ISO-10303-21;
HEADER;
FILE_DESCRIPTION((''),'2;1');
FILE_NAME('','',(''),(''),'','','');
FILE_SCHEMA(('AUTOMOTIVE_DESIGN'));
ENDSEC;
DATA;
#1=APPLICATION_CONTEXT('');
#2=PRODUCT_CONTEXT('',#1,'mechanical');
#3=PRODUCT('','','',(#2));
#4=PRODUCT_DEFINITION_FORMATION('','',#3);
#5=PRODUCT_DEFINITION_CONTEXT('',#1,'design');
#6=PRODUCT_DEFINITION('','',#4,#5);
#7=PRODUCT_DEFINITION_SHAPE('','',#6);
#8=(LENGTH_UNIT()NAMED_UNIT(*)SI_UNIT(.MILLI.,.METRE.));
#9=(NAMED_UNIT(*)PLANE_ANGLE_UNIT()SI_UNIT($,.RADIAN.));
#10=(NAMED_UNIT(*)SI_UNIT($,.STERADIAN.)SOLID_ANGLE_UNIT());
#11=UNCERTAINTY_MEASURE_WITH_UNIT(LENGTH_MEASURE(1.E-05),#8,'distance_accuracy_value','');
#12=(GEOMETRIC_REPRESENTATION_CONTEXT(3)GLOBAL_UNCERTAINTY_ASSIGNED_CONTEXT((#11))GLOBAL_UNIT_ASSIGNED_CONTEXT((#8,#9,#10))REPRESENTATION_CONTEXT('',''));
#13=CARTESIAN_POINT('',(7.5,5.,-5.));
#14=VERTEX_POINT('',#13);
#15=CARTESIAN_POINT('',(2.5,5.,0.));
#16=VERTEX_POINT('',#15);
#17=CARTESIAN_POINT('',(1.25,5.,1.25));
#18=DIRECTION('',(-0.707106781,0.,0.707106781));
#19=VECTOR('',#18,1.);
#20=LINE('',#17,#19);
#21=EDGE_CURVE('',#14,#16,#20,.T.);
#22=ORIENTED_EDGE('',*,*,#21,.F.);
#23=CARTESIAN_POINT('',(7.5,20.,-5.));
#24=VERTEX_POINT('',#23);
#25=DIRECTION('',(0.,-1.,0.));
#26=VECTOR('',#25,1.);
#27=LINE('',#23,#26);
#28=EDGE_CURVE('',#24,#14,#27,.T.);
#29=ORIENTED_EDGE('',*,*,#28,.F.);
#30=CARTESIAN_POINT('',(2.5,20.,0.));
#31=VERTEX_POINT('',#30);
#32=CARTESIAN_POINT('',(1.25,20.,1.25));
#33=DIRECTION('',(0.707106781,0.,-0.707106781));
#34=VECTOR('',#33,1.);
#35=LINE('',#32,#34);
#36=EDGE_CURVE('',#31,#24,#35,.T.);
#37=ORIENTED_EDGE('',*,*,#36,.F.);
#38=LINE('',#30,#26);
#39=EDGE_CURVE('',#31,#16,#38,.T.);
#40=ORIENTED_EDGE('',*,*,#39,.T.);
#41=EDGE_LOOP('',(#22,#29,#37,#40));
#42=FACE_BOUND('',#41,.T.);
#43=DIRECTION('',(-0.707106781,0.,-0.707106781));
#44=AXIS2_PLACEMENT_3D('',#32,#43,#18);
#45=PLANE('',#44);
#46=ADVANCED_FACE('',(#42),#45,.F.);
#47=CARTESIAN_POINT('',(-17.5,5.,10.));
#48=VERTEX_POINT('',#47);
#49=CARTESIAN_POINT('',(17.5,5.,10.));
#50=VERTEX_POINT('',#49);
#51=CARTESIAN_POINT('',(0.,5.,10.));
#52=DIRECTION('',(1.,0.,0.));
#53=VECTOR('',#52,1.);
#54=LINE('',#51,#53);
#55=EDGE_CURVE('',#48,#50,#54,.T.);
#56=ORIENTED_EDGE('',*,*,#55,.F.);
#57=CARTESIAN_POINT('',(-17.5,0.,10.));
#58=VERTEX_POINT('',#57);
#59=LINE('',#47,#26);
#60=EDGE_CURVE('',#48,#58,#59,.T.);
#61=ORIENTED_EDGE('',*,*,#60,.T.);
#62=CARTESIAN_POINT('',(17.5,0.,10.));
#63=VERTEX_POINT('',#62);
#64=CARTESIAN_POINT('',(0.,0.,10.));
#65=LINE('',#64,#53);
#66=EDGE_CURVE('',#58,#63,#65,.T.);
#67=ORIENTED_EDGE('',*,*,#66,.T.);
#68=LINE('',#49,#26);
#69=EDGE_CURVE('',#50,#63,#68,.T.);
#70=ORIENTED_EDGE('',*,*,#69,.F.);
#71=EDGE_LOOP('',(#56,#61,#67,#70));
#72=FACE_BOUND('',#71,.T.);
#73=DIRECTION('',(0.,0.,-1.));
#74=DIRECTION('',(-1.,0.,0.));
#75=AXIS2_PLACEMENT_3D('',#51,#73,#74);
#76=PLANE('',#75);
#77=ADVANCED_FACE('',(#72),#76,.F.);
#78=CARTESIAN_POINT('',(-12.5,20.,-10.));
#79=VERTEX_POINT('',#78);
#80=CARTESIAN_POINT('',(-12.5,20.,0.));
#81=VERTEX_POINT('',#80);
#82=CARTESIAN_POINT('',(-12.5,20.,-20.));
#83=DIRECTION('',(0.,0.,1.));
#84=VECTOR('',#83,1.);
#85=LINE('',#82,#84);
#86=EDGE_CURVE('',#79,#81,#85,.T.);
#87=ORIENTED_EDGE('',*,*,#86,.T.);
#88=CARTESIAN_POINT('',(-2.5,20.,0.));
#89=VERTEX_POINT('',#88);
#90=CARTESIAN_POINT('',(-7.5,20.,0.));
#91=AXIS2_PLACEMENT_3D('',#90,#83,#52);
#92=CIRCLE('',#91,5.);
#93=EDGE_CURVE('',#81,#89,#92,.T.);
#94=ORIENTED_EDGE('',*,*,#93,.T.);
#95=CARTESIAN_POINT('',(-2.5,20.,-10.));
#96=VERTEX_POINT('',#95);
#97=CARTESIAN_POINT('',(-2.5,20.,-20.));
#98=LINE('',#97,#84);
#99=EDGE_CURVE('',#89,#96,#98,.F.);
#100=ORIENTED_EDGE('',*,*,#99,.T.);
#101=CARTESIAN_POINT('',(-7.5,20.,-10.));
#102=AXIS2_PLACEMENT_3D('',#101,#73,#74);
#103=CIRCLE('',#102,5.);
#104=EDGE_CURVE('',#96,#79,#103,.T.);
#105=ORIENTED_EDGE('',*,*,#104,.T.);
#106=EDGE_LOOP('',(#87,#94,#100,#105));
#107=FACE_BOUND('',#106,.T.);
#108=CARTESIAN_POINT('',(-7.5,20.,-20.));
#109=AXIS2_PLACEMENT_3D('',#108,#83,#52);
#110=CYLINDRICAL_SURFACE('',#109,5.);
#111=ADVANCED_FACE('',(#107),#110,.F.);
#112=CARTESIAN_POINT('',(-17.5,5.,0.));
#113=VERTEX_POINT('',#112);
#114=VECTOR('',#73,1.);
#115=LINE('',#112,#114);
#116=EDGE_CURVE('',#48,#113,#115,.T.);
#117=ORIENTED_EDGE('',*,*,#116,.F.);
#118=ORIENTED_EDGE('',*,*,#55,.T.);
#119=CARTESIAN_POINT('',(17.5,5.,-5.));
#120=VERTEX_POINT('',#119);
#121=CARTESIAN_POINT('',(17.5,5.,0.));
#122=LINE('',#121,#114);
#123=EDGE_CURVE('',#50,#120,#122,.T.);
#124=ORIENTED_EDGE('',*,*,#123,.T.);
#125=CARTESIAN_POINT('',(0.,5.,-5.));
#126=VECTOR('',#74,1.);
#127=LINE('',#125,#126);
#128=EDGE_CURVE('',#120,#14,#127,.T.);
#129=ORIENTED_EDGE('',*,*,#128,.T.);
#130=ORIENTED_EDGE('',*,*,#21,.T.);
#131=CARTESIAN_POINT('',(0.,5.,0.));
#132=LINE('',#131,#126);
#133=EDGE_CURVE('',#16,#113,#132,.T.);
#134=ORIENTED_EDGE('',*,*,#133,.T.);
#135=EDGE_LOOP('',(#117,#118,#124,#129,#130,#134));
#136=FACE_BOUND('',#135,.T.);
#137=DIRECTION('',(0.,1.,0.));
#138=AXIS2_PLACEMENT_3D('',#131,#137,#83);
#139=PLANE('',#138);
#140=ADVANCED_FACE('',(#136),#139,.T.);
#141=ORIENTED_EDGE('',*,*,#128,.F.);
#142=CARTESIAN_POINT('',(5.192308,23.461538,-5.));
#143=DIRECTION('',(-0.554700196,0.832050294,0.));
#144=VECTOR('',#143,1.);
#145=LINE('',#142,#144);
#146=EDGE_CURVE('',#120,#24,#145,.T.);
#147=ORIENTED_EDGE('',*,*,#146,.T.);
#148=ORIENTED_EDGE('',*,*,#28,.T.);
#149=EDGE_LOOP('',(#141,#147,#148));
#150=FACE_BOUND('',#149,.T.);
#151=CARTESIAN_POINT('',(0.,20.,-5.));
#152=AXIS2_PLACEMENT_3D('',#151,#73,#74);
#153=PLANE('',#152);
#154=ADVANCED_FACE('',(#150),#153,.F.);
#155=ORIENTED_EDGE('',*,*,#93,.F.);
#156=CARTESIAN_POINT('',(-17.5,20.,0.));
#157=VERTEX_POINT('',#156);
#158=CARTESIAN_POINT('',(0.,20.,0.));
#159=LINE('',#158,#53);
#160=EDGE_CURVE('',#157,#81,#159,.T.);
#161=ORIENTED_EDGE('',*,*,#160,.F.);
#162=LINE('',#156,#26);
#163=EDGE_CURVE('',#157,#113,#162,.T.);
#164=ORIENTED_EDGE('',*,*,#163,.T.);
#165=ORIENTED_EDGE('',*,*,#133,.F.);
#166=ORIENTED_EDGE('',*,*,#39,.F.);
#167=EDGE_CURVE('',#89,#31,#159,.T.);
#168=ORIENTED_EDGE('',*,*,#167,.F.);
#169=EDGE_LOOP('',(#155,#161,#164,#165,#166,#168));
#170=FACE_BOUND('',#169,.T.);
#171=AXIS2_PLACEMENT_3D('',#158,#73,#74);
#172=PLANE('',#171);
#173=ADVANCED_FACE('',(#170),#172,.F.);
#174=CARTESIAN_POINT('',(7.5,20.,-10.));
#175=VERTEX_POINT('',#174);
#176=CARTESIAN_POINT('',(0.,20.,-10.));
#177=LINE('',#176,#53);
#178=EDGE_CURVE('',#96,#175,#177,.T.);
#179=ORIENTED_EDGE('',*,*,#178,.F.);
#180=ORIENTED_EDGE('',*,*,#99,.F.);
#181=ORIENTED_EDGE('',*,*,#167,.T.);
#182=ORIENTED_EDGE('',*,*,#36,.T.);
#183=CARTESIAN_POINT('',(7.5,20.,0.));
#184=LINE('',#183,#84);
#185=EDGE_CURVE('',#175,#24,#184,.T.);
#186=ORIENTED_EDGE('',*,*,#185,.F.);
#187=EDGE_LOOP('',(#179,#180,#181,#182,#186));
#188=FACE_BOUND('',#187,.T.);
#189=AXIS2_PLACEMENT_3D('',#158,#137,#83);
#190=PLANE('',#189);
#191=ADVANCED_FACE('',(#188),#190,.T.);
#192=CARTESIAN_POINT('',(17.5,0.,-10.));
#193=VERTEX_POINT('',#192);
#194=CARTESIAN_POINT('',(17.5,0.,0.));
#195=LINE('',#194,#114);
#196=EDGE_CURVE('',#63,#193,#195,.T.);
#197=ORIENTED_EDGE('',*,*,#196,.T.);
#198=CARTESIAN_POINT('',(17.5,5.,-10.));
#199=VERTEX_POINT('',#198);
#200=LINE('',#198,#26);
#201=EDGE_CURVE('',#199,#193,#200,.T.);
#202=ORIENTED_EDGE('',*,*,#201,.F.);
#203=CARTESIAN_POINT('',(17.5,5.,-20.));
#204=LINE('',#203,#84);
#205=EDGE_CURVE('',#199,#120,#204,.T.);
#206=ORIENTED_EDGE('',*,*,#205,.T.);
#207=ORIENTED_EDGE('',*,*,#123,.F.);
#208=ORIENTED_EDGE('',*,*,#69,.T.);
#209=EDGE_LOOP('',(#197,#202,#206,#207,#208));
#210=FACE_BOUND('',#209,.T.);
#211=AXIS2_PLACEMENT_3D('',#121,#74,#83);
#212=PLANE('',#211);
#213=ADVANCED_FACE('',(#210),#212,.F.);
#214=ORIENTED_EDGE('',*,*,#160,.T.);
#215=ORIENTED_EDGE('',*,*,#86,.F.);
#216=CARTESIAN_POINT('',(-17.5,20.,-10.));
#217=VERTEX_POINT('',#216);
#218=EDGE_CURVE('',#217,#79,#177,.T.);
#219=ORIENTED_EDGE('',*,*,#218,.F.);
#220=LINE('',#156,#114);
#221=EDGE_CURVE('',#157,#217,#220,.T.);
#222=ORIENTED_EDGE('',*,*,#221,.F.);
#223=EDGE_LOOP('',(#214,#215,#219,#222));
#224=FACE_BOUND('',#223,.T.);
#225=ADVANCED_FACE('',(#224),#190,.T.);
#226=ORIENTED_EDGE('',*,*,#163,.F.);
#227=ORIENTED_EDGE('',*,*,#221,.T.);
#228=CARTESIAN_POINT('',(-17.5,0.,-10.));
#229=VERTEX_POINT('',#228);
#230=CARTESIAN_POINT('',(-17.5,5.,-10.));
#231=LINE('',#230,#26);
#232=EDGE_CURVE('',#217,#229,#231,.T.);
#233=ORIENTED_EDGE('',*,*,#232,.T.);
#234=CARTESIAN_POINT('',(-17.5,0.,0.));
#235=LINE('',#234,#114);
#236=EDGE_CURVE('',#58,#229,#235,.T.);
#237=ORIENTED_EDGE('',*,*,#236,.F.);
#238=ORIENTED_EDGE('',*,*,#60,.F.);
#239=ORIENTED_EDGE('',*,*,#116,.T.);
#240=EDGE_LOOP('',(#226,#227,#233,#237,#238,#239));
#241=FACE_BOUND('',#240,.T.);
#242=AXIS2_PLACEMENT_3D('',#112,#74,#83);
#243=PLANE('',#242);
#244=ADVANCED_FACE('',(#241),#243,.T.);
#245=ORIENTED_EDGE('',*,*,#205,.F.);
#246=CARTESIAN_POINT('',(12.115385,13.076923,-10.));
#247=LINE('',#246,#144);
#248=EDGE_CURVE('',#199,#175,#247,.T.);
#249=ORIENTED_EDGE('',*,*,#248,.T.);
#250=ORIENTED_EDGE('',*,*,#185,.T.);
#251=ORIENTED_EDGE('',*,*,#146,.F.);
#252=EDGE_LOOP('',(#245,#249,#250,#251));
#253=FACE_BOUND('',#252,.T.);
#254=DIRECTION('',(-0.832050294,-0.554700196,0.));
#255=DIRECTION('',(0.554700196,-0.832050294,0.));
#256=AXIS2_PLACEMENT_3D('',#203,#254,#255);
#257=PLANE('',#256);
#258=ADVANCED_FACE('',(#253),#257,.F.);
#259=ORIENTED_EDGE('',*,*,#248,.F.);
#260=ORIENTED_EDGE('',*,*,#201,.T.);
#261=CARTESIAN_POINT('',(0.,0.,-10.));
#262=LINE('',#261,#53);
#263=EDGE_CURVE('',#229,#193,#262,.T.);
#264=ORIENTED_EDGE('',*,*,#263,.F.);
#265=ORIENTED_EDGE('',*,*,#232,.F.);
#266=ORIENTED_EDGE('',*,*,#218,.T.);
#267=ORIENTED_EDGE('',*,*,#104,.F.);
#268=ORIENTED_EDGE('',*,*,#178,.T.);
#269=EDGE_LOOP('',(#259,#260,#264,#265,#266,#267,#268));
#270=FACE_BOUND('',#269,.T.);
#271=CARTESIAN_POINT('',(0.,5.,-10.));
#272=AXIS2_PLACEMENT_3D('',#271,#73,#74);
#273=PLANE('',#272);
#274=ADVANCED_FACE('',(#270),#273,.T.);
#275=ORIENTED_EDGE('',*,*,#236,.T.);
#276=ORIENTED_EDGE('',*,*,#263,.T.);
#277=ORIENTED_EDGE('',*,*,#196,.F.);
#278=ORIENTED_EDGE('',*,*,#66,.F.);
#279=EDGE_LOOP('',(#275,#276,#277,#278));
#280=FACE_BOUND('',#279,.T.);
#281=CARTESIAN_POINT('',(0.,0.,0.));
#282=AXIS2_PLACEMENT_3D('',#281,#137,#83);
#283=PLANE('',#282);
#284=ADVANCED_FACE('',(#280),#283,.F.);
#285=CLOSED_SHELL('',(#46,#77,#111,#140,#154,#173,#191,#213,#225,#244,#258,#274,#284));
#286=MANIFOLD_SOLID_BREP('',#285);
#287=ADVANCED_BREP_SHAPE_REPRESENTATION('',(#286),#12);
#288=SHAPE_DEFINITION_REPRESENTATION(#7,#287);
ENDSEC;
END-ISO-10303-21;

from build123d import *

# Parameters (mm, degrees)
SKETCH_1_W          = 35
SKETCH_1_H          = 20
EXTRUDE_1_DEPTH     = 5
EXTRUDE_2_DEPTH     = 20
CUT_EXTRUDE_1_DEPTH = 20


with BuildPart() as part:
    # 草圖1 → 填料-伸長1 (new body)
    with BuildSketch(Plane(origin=(0, 0, 0), x_dir=(1, 0, 0), z_dir=(0, 1, 0))):
        Rectangle(SKETCH_1_W, SKETCH_1_H)
    extrude(amount=EXTRUDE_1_DEPTH)

    # 草圖1<3> → 填料-伸長2 (add)
    with BuildSketch(Plane(origin=(0, 0, 0), x_dir=(1, 0, 0), z_dir=(0, 1, 0))):
        Polygon((2.5, 0), (7.5, 5), (17.5, 5), (17.5, 10), (-17.5, 10), (-17.5, 0), align=None)
    extrude(amount=EXTRUDE_2_DEPTH)

    # 草圖2 → 除料-伸長1 (cut)
    with BuildSketch(Plane.XY):
        with BuildLine():
            Line((-12.5, 20), (-2.5, 20))
            ThreePointArc((-2.5, 20), (-7.5, 15), (-12.5, 20))
        make_face()
        Polygon((17.5, 5), (7.5, 20), (17.5, 20), align=None)
    extrude(amount=-CUT_EXTRUDE_1_DEPTH, mode=Mode.SUBTRACT)


solid = part.part
